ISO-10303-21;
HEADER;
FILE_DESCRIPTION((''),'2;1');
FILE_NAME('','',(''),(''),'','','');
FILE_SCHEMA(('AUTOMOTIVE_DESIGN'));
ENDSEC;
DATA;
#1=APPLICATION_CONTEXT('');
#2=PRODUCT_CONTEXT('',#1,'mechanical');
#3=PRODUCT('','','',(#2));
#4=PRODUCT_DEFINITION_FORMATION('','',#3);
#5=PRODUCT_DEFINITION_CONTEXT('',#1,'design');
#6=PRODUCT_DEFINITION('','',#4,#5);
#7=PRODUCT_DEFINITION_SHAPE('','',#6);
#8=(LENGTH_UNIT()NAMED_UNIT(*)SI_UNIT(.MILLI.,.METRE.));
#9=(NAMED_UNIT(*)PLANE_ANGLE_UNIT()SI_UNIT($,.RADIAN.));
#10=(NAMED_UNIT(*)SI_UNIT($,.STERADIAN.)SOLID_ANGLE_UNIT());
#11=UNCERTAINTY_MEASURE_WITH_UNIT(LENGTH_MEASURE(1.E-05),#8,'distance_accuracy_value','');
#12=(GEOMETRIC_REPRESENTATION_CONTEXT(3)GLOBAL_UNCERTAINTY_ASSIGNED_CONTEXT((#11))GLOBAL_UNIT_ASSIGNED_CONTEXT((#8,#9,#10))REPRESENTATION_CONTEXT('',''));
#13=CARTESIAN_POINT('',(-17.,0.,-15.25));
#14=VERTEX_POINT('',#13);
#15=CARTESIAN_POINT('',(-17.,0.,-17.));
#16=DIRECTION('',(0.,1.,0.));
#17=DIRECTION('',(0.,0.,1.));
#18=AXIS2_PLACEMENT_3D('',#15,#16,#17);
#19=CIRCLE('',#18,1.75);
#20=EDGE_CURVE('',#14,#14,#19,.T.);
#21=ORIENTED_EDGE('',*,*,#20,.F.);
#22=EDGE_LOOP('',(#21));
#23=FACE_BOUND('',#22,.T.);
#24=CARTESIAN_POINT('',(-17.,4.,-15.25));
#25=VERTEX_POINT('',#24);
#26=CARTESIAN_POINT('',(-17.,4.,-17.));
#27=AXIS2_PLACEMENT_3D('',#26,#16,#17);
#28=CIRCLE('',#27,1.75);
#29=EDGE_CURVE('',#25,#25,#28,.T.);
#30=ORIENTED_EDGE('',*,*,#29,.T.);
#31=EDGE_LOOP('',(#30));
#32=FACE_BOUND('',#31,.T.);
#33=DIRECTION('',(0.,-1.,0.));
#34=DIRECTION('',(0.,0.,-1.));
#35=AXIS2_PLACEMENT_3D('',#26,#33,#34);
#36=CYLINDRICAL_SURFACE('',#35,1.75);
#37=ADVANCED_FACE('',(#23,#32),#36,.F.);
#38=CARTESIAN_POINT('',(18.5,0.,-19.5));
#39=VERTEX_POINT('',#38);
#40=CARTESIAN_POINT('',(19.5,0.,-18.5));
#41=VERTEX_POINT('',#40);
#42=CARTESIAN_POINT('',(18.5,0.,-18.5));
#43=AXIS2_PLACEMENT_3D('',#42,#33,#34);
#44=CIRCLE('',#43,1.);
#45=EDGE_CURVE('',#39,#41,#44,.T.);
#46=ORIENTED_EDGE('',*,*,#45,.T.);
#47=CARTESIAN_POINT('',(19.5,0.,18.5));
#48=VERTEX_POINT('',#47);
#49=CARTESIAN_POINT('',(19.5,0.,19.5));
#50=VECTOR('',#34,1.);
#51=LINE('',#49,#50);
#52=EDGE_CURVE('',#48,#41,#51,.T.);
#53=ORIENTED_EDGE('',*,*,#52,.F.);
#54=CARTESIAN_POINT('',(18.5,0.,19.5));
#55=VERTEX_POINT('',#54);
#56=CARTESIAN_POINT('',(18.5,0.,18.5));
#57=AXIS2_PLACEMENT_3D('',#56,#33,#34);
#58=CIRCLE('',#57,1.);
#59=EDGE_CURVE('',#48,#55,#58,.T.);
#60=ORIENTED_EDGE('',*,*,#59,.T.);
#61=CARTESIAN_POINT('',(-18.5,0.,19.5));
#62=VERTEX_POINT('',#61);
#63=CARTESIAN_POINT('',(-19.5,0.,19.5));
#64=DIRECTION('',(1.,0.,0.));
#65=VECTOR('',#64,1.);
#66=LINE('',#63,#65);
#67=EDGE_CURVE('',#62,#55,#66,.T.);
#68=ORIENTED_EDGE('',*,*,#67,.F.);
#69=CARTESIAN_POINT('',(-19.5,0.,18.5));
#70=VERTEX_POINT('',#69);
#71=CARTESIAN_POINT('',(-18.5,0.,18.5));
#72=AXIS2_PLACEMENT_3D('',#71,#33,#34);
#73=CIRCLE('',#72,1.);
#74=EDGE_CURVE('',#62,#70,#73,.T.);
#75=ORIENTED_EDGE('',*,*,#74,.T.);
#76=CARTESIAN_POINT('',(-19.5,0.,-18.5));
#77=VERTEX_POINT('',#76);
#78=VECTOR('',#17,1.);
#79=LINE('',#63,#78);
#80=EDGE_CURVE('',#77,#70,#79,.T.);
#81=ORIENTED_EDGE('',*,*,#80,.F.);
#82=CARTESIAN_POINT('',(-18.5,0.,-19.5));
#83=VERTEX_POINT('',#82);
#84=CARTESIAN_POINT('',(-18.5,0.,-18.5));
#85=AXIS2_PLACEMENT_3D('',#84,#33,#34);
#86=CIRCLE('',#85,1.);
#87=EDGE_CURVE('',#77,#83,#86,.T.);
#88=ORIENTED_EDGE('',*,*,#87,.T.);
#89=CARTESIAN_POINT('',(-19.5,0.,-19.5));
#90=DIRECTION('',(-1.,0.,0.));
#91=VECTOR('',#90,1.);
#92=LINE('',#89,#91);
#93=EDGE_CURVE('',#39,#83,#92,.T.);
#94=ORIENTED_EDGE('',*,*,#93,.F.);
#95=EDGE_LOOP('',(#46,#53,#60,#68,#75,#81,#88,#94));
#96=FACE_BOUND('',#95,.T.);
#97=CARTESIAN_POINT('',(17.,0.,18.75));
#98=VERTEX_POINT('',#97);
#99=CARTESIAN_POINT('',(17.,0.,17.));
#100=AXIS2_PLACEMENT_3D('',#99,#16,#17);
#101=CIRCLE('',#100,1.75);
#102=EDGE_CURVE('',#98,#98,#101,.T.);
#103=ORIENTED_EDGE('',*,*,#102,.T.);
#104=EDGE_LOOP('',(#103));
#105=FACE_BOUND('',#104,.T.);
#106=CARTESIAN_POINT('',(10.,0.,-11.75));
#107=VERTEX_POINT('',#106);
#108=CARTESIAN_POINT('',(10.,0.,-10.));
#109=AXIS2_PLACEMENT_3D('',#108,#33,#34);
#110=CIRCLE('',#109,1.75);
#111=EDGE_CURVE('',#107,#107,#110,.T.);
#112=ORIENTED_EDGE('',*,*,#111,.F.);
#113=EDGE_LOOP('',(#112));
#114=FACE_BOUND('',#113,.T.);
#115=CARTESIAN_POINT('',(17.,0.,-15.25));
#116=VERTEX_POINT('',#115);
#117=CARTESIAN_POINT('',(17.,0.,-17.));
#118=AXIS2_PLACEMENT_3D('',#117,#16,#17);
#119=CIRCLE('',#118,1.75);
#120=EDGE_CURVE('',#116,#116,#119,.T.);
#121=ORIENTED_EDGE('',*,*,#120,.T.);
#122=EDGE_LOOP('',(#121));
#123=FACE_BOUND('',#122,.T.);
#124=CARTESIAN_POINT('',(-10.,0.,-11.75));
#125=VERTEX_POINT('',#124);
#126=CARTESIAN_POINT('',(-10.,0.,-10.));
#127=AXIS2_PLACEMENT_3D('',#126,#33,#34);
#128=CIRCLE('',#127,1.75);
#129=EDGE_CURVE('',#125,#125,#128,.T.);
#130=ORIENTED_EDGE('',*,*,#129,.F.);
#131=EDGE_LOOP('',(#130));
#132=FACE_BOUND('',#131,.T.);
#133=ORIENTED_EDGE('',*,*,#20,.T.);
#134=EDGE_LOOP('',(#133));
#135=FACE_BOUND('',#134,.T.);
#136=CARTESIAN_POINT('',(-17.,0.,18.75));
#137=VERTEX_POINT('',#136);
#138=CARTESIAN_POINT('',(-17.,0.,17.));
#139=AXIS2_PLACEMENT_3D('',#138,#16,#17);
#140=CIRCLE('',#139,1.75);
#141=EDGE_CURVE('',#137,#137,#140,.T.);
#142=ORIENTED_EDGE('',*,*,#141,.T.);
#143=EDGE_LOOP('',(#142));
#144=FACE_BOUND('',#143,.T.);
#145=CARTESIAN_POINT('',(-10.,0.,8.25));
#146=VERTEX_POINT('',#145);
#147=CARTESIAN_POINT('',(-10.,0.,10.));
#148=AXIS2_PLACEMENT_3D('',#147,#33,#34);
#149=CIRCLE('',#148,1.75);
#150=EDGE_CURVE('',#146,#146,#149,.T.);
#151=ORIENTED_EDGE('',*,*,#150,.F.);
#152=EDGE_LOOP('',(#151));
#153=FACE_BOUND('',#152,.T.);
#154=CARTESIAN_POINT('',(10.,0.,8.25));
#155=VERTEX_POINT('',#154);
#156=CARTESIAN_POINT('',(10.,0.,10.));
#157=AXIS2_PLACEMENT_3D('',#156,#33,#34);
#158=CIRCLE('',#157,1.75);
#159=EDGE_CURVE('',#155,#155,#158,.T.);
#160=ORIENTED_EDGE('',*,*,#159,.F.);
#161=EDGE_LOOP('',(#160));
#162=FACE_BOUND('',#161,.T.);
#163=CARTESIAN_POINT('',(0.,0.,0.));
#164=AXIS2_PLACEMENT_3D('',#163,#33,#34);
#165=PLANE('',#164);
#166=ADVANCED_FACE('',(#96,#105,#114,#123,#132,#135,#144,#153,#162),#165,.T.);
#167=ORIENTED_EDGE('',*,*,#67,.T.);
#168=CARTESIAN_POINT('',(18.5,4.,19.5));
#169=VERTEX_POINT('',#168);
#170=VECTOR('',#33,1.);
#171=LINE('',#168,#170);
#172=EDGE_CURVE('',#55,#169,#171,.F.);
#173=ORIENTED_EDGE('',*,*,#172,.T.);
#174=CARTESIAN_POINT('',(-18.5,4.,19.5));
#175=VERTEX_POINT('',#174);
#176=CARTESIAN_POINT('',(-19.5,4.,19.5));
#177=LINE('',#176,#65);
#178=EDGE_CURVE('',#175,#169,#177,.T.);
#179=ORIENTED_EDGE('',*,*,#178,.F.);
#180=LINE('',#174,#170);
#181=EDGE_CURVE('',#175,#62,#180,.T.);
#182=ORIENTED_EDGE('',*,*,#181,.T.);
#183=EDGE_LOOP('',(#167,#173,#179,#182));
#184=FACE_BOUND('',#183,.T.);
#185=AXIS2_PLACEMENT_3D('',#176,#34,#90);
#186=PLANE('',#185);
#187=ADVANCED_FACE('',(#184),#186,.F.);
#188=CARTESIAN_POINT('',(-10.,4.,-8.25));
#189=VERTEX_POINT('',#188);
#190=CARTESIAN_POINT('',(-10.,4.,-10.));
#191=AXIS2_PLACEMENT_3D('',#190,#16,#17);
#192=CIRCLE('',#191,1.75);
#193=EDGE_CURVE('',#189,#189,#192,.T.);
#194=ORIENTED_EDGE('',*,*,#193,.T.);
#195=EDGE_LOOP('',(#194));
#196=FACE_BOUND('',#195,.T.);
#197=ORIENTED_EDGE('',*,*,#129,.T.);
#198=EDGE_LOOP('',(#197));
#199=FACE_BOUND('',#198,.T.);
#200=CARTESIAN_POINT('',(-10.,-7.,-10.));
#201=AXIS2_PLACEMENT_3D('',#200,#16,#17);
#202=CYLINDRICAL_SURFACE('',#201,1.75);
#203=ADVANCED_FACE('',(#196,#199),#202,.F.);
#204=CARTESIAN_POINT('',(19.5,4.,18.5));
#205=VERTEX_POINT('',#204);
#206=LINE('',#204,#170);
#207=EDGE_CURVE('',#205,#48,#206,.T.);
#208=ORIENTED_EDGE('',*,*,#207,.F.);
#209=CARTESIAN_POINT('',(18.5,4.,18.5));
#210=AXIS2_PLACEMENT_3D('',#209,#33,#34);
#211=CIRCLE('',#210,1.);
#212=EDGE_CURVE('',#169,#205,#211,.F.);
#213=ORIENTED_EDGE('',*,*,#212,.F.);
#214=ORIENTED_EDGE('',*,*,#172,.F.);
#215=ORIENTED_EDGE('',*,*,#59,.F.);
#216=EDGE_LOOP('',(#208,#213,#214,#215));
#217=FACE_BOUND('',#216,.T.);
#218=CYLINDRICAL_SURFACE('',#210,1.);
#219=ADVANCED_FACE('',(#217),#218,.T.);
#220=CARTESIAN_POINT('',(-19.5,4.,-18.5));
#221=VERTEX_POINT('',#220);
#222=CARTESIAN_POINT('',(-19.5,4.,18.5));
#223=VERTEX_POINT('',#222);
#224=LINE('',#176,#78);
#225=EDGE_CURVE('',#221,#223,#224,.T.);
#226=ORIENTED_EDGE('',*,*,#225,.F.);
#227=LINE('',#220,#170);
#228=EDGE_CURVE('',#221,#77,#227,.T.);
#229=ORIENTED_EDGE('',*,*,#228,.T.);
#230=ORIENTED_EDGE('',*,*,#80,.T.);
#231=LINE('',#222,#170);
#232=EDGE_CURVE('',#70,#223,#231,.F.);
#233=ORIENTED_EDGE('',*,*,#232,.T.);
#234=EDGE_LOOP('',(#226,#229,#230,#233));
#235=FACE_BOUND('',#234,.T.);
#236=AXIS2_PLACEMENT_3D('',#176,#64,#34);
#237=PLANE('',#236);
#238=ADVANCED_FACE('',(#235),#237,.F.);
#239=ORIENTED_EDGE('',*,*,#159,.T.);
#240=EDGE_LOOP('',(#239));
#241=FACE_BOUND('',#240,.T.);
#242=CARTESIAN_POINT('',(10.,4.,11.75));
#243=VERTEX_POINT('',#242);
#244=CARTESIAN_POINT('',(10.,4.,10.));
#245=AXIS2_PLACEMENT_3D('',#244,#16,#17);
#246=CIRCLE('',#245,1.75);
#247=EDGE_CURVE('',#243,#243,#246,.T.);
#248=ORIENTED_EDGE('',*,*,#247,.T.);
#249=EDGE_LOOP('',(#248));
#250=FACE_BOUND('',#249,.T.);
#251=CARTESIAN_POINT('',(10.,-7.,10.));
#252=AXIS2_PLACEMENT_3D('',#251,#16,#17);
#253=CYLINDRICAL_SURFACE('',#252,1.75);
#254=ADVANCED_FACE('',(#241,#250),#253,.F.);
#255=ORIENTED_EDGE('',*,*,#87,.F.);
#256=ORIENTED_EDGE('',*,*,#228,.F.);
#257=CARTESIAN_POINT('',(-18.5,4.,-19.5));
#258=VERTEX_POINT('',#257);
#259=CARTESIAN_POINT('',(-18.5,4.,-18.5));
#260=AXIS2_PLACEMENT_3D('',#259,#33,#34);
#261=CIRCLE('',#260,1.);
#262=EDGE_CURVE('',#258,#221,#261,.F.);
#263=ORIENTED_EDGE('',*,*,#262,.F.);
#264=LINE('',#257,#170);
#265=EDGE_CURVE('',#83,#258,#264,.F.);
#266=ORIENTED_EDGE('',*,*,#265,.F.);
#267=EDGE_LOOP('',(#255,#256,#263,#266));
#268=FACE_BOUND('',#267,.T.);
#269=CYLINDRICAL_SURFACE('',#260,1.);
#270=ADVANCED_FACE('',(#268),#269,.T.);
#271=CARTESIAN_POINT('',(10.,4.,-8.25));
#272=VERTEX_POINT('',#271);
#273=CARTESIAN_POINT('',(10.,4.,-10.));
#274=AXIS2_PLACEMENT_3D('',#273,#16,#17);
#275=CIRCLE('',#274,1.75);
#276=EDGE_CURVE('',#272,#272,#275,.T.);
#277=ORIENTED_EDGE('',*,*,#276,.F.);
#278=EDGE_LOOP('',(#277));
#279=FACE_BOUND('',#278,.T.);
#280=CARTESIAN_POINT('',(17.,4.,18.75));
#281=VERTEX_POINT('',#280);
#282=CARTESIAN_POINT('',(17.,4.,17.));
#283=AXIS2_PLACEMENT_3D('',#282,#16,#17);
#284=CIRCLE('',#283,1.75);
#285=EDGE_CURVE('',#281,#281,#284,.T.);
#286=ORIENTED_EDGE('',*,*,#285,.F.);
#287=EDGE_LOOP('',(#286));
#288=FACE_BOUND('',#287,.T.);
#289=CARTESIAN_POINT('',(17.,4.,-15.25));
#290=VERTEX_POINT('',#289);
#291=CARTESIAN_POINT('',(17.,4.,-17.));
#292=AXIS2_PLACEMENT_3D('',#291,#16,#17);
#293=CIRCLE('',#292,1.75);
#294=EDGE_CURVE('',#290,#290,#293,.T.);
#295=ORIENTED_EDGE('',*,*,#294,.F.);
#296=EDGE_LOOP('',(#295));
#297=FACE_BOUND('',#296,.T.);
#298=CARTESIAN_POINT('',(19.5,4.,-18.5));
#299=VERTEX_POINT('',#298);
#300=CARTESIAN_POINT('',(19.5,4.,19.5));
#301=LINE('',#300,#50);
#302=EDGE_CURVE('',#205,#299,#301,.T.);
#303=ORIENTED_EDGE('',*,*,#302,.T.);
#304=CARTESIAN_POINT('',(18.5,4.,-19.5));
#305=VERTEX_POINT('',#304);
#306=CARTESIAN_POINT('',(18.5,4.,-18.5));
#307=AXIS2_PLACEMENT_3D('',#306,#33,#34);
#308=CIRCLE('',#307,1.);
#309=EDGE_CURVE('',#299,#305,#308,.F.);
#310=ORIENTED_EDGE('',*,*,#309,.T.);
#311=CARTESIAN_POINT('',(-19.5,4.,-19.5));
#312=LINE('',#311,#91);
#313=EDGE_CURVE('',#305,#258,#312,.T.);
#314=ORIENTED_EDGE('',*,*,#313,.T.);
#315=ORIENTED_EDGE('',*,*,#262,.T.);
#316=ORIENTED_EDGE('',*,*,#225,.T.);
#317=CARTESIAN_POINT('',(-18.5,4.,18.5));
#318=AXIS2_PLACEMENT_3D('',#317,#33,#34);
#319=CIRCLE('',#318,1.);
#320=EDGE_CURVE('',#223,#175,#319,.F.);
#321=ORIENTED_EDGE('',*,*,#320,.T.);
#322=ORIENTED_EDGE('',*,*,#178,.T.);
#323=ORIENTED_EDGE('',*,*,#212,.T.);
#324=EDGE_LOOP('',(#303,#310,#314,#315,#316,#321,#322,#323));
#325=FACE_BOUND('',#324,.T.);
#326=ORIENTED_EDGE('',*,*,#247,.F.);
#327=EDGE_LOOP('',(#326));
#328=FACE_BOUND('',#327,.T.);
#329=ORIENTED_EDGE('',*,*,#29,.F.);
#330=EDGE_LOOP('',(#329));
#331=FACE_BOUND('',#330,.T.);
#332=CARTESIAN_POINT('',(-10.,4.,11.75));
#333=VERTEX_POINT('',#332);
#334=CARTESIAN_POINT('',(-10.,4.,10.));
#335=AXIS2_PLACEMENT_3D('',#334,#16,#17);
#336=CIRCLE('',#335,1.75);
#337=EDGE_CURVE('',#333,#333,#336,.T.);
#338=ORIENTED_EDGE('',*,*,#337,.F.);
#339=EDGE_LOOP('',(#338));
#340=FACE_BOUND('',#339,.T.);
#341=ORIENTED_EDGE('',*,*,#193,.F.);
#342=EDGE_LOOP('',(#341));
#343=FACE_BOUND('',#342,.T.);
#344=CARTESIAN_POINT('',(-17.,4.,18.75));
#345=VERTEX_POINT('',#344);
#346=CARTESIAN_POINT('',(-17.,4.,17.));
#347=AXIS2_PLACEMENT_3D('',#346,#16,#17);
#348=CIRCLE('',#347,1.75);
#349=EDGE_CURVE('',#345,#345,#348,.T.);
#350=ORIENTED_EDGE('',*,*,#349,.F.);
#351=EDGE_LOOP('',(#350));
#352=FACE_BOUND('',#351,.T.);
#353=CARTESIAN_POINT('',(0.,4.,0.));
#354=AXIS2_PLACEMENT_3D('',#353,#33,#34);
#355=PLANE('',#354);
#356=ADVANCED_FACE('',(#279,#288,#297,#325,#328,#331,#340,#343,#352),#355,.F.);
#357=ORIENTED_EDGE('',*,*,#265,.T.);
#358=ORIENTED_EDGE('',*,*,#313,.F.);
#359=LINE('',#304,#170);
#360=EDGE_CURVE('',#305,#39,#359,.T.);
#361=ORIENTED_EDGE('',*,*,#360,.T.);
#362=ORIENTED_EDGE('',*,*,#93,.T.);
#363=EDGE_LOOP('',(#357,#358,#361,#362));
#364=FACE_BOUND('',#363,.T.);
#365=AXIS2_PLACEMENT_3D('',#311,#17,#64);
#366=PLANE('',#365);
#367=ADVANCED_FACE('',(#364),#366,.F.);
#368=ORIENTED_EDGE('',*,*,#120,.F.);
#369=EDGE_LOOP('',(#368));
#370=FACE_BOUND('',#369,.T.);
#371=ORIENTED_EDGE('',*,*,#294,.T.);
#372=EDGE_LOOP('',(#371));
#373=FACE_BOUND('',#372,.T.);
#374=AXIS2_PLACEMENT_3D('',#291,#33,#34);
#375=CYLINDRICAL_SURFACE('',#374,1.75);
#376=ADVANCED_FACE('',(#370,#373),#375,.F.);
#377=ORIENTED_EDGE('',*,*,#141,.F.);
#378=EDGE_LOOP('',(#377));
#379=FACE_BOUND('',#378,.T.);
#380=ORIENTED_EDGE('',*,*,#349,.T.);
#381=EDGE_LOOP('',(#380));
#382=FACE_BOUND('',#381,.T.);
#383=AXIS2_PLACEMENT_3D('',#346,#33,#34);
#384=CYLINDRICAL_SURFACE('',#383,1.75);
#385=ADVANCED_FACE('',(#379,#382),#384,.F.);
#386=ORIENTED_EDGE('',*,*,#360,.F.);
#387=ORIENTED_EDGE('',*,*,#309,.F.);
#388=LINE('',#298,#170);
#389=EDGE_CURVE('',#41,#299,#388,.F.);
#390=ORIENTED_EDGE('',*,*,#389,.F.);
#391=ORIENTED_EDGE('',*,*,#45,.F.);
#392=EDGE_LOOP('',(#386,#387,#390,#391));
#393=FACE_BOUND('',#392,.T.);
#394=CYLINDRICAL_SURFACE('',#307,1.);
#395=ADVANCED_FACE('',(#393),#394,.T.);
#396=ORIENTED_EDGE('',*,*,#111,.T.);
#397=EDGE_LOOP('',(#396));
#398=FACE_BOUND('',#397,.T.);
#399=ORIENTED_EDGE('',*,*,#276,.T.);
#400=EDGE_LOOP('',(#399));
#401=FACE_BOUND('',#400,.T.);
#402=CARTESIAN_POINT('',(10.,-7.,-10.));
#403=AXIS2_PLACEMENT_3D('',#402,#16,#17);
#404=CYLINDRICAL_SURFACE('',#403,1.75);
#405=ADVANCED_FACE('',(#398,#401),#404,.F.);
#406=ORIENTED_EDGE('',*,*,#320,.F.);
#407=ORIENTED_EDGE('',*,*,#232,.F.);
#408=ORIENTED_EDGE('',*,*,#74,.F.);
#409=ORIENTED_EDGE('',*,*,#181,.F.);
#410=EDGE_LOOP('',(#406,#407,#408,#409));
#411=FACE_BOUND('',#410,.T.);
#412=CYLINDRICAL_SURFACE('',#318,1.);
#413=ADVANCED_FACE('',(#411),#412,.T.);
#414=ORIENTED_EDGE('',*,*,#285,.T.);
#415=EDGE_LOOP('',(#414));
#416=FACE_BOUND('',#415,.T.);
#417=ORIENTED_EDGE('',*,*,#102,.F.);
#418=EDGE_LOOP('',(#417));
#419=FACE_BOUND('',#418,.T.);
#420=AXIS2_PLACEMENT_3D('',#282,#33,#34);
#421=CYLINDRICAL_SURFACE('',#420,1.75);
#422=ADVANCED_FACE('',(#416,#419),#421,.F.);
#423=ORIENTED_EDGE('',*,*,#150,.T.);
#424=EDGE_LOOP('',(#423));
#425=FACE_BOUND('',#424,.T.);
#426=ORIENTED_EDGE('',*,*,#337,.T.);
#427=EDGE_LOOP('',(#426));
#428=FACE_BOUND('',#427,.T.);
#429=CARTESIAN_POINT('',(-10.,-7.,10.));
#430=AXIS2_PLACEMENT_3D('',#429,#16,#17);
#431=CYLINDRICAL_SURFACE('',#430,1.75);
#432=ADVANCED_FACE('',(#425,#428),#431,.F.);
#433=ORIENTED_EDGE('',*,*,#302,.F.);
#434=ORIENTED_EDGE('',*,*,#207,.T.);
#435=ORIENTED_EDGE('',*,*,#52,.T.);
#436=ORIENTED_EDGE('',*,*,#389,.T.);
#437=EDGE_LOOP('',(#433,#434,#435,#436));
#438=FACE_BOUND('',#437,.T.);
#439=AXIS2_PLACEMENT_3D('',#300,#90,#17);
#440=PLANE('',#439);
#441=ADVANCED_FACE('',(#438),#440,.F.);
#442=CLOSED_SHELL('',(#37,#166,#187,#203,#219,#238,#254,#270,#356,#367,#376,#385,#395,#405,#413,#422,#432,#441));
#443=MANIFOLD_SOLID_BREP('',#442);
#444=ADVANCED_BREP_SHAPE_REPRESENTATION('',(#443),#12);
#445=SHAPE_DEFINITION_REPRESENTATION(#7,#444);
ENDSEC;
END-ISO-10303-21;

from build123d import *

# Parameters (mm, degrees)
SKETCH1_W           = 39
SKETCH1_H           = 39
SKETCH1_R           = 1.75
BOSS_EXTRUDE1_DEPTH = 4
SKETCH2_R           = 1.75
CUT_EXTRUDE1_DEPTH  = 11
FILLET1_R           = 1


with BuildPart() as part:
    # Sketch1 → Boss-Extrude1 (new body)
    with BuildSketch(Plane(origin=(0, 0, 0), x_dir=(1, 0, 0), z_dir=(0, 1, 0))):
        Rectangle(SKETCH1_W, SKETCH1_H)
        with Locations(Location((17, 17, 0), (0, 0, 270))):
            Circle(SKETCH1_R, mode=Mode.SUBTRACT)
        with Locations(Location((17, -17, 0), (0, 0, 270))):
            Circle(SKETCH1_R, mode=Mode.SUBTRACT)
        with Locations(Location((-17, -17, 0), (0, 0, 270))):
            Circle(SKETCH1_R, mode=Mode.SUBTRACT)
        with Locations(Location((-17, 17, 0), (0, 0, 270))):
            Circle(SKETCH1_R, mode=Mode.SUBTRACT)
    extrude(amount=BOSS_EXTRUDE1_DEPTH)

    # Sketch2 → Cut-Extrude1 (cut)
    with BuildSketch(Plane(origin=(0, 4, 0), x_dir=(1, 0, 0), z_dir=(0, 1, 0))):
        with Locations(Location((10, 10, 0), (0, 0, 270))):
            Circle(SKETCH2_R)
        with Locations(Location((10, -10, 0), (0, 0, 270))):
            Circle(SKETCH2_R)
        with Locations(Location((-10, -10, 0), (0, 0, 270))):
            Circle(SKETCH2_R)
        with Locations(Location((-10, 10, 0), (0, 0, 270))):
            Circle(SKETCH2_R)
    extrude(amount=-CUT_EXTRUDE1_DEPTH, mode=Mode.SUBTRACT)

    # Fillet1
    fillet1_edges = [part.edges().sort_by_distance(p)[0] for p in [
        (19.5, 2, 19.5),
        (-19.5, 2, 19.5),
        (-19.5, 2, -19.5),
        (19.5, 2, -19.5),
    ]]
    fillet(fillet1_edges, radius=FILLET1_R)


solid = part.part
